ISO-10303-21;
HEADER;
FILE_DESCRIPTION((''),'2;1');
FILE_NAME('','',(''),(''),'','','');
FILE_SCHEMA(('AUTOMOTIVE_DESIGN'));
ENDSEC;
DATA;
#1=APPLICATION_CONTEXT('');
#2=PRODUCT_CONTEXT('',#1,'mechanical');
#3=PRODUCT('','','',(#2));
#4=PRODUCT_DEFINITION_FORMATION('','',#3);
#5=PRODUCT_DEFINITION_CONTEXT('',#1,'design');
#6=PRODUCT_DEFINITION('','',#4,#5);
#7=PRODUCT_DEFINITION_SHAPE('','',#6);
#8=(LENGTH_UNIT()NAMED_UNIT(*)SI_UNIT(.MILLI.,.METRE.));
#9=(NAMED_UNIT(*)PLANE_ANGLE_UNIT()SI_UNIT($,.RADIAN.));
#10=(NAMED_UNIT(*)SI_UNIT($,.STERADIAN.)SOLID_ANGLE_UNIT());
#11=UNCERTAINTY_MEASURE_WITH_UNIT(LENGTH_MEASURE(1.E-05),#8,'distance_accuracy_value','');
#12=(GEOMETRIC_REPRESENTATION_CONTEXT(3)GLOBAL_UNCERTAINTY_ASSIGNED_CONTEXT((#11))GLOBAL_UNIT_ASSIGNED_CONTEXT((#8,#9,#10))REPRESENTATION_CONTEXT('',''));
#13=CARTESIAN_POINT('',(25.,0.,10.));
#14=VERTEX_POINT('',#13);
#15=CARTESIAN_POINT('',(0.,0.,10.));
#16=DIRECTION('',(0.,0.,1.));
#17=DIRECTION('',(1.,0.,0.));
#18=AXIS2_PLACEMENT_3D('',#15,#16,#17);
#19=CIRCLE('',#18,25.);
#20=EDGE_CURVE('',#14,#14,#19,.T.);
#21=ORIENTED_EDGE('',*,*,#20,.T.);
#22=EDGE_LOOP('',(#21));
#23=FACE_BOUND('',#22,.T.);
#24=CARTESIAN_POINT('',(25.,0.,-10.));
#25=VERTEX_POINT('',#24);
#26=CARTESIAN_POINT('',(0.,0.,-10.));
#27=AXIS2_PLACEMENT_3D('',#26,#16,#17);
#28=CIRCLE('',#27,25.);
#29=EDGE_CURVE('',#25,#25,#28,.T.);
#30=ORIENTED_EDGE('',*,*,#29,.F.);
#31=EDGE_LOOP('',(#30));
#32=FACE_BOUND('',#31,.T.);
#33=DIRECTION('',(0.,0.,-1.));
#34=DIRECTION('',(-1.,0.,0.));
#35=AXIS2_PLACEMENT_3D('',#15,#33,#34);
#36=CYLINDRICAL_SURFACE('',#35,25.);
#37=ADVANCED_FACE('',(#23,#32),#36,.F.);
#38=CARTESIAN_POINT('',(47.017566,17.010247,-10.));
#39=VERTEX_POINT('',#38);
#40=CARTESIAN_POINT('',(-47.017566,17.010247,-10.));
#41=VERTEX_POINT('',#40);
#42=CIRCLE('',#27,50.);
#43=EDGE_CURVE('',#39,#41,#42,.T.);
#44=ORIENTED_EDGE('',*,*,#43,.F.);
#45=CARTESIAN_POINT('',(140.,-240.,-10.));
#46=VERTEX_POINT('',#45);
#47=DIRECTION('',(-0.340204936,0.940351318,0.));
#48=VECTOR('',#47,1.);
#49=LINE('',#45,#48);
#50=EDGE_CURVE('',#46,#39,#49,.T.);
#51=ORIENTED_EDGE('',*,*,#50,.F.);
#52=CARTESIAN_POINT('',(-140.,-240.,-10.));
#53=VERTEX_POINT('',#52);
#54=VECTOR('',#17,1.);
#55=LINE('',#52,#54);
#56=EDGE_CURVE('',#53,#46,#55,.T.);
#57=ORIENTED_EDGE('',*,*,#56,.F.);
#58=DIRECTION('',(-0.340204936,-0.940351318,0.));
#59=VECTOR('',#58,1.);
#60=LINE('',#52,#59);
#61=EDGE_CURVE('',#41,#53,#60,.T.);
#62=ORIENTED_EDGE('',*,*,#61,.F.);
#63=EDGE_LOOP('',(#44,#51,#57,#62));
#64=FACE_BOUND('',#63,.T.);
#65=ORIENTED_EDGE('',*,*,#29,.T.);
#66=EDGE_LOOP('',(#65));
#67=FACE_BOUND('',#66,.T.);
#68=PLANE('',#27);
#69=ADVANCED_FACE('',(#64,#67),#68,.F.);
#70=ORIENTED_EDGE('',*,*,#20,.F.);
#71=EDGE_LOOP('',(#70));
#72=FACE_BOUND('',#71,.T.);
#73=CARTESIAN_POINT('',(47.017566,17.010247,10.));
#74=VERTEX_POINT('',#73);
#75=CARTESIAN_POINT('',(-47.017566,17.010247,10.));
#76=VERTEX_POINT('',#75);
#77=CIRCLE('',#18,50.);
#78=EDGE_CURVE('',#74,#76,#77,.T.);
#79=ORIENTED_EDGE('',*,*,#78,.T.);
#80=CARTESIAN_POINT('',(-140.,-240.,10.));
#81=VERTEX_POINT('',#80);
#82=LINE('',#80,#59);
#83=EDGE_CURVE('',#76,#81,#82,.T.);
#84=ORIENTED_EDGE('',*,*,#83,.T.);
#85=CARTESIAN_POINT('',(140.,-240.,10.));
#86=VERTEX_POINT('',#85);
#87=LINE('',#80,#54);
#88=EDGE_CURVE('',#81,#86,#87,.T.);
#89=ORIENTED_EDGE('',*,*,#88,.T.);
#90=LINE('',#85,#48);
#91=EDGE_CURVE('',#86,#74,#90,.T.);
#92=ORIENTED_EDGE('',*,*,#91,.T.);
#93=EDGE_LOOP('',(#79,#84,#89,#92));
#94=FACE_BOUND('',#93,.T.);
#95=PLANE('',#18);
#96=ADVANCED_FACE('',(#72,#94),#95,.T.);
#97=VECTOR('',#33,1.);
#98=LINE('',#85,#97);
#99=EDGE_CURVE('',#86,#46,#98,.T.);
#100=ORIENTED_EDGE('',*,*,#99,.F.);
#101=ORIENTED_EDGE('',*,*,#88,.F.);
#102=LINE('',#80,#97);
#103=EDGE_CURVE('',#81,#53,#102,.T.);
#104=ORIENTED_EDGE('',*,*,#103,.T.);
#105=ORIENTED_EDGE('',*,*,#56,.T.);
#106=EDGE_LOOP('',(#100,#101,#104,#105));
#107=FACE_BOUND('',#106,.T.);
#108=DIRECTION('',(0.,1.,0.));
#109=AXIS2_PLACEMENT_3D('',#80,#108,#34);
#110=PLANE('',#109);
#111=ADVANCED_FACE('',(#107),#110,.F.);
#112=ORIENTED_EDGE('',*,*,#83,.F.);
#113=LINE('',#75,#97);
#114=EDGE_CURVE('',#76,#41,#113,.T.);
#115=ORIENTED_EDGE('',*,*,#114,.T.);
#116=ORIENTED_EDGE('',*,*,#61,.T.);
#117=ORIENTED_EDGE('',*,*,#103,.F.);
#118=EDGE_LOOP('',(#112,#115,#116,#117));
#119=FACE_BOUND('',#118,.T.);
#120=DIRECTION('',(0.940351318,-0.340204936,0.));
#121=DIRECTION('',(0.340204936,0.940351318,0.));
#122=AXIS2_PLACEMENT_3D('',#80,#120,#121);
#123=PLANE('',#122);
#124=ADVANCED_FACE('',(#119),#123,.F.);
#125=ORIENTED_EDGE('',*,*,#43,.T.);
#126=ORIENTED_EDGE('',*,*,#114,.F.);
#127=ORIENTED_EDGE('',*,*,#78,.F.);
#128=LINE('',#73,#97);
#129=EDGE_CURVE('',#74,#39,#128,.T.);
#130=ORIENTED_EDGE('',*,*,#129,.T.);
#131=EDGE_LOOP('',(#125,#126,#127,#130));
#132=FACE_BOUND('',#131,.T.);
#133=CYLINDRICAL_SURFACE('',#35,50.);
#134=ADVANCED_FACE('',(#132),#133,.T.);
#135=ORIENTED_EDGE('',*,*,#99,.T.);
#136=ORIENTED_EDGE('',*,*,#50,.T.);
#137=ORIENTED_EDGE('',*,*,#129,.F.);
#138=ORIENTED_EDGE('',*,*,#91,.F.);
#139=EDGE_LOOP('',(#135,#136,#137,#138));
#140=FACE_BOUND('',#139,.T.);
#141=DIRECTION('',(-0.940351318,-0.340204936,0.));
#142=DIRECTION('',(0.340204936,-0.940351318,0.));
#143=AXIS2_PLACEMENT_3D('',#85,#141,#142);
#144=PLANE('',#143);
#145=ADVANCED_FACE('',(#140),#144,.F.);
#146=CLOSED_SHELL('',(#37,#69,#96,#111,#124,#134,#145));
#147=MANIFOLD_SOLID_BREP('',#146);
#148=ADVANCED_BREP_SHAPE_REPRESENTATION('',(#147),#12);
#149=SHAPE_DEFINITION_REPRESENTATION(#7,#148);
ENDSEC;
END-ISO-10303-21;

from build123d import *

# Parameters (mm, degrees)
SKETCH1_R           = 25
BOSS_EXTRUDE1_DEPTH = 10


with BuildPart() as part:
    # Sketch1 → Boss-Extrude1 (new body, symmetric)
    with BuildSketch(Plane.XY):
        with BuildLine():
            Line((-140, -240), (140, -240))
            Line((140, -240), (47.017565913, 17.010246783))
            ThreePointArc((47.017565913, 17.010246783), (0, 50), (-47.017565913, 17.010246783))
            Line((-47.017565913, 17.010246783), (-140, -240))
        make_face()
        Circle(SKETCH1_R, mode=Mode.SUBTRACT)
    extrude(amount=BOSS_EXTRUDE1_DEPTH, both=True)


solid = part.part
